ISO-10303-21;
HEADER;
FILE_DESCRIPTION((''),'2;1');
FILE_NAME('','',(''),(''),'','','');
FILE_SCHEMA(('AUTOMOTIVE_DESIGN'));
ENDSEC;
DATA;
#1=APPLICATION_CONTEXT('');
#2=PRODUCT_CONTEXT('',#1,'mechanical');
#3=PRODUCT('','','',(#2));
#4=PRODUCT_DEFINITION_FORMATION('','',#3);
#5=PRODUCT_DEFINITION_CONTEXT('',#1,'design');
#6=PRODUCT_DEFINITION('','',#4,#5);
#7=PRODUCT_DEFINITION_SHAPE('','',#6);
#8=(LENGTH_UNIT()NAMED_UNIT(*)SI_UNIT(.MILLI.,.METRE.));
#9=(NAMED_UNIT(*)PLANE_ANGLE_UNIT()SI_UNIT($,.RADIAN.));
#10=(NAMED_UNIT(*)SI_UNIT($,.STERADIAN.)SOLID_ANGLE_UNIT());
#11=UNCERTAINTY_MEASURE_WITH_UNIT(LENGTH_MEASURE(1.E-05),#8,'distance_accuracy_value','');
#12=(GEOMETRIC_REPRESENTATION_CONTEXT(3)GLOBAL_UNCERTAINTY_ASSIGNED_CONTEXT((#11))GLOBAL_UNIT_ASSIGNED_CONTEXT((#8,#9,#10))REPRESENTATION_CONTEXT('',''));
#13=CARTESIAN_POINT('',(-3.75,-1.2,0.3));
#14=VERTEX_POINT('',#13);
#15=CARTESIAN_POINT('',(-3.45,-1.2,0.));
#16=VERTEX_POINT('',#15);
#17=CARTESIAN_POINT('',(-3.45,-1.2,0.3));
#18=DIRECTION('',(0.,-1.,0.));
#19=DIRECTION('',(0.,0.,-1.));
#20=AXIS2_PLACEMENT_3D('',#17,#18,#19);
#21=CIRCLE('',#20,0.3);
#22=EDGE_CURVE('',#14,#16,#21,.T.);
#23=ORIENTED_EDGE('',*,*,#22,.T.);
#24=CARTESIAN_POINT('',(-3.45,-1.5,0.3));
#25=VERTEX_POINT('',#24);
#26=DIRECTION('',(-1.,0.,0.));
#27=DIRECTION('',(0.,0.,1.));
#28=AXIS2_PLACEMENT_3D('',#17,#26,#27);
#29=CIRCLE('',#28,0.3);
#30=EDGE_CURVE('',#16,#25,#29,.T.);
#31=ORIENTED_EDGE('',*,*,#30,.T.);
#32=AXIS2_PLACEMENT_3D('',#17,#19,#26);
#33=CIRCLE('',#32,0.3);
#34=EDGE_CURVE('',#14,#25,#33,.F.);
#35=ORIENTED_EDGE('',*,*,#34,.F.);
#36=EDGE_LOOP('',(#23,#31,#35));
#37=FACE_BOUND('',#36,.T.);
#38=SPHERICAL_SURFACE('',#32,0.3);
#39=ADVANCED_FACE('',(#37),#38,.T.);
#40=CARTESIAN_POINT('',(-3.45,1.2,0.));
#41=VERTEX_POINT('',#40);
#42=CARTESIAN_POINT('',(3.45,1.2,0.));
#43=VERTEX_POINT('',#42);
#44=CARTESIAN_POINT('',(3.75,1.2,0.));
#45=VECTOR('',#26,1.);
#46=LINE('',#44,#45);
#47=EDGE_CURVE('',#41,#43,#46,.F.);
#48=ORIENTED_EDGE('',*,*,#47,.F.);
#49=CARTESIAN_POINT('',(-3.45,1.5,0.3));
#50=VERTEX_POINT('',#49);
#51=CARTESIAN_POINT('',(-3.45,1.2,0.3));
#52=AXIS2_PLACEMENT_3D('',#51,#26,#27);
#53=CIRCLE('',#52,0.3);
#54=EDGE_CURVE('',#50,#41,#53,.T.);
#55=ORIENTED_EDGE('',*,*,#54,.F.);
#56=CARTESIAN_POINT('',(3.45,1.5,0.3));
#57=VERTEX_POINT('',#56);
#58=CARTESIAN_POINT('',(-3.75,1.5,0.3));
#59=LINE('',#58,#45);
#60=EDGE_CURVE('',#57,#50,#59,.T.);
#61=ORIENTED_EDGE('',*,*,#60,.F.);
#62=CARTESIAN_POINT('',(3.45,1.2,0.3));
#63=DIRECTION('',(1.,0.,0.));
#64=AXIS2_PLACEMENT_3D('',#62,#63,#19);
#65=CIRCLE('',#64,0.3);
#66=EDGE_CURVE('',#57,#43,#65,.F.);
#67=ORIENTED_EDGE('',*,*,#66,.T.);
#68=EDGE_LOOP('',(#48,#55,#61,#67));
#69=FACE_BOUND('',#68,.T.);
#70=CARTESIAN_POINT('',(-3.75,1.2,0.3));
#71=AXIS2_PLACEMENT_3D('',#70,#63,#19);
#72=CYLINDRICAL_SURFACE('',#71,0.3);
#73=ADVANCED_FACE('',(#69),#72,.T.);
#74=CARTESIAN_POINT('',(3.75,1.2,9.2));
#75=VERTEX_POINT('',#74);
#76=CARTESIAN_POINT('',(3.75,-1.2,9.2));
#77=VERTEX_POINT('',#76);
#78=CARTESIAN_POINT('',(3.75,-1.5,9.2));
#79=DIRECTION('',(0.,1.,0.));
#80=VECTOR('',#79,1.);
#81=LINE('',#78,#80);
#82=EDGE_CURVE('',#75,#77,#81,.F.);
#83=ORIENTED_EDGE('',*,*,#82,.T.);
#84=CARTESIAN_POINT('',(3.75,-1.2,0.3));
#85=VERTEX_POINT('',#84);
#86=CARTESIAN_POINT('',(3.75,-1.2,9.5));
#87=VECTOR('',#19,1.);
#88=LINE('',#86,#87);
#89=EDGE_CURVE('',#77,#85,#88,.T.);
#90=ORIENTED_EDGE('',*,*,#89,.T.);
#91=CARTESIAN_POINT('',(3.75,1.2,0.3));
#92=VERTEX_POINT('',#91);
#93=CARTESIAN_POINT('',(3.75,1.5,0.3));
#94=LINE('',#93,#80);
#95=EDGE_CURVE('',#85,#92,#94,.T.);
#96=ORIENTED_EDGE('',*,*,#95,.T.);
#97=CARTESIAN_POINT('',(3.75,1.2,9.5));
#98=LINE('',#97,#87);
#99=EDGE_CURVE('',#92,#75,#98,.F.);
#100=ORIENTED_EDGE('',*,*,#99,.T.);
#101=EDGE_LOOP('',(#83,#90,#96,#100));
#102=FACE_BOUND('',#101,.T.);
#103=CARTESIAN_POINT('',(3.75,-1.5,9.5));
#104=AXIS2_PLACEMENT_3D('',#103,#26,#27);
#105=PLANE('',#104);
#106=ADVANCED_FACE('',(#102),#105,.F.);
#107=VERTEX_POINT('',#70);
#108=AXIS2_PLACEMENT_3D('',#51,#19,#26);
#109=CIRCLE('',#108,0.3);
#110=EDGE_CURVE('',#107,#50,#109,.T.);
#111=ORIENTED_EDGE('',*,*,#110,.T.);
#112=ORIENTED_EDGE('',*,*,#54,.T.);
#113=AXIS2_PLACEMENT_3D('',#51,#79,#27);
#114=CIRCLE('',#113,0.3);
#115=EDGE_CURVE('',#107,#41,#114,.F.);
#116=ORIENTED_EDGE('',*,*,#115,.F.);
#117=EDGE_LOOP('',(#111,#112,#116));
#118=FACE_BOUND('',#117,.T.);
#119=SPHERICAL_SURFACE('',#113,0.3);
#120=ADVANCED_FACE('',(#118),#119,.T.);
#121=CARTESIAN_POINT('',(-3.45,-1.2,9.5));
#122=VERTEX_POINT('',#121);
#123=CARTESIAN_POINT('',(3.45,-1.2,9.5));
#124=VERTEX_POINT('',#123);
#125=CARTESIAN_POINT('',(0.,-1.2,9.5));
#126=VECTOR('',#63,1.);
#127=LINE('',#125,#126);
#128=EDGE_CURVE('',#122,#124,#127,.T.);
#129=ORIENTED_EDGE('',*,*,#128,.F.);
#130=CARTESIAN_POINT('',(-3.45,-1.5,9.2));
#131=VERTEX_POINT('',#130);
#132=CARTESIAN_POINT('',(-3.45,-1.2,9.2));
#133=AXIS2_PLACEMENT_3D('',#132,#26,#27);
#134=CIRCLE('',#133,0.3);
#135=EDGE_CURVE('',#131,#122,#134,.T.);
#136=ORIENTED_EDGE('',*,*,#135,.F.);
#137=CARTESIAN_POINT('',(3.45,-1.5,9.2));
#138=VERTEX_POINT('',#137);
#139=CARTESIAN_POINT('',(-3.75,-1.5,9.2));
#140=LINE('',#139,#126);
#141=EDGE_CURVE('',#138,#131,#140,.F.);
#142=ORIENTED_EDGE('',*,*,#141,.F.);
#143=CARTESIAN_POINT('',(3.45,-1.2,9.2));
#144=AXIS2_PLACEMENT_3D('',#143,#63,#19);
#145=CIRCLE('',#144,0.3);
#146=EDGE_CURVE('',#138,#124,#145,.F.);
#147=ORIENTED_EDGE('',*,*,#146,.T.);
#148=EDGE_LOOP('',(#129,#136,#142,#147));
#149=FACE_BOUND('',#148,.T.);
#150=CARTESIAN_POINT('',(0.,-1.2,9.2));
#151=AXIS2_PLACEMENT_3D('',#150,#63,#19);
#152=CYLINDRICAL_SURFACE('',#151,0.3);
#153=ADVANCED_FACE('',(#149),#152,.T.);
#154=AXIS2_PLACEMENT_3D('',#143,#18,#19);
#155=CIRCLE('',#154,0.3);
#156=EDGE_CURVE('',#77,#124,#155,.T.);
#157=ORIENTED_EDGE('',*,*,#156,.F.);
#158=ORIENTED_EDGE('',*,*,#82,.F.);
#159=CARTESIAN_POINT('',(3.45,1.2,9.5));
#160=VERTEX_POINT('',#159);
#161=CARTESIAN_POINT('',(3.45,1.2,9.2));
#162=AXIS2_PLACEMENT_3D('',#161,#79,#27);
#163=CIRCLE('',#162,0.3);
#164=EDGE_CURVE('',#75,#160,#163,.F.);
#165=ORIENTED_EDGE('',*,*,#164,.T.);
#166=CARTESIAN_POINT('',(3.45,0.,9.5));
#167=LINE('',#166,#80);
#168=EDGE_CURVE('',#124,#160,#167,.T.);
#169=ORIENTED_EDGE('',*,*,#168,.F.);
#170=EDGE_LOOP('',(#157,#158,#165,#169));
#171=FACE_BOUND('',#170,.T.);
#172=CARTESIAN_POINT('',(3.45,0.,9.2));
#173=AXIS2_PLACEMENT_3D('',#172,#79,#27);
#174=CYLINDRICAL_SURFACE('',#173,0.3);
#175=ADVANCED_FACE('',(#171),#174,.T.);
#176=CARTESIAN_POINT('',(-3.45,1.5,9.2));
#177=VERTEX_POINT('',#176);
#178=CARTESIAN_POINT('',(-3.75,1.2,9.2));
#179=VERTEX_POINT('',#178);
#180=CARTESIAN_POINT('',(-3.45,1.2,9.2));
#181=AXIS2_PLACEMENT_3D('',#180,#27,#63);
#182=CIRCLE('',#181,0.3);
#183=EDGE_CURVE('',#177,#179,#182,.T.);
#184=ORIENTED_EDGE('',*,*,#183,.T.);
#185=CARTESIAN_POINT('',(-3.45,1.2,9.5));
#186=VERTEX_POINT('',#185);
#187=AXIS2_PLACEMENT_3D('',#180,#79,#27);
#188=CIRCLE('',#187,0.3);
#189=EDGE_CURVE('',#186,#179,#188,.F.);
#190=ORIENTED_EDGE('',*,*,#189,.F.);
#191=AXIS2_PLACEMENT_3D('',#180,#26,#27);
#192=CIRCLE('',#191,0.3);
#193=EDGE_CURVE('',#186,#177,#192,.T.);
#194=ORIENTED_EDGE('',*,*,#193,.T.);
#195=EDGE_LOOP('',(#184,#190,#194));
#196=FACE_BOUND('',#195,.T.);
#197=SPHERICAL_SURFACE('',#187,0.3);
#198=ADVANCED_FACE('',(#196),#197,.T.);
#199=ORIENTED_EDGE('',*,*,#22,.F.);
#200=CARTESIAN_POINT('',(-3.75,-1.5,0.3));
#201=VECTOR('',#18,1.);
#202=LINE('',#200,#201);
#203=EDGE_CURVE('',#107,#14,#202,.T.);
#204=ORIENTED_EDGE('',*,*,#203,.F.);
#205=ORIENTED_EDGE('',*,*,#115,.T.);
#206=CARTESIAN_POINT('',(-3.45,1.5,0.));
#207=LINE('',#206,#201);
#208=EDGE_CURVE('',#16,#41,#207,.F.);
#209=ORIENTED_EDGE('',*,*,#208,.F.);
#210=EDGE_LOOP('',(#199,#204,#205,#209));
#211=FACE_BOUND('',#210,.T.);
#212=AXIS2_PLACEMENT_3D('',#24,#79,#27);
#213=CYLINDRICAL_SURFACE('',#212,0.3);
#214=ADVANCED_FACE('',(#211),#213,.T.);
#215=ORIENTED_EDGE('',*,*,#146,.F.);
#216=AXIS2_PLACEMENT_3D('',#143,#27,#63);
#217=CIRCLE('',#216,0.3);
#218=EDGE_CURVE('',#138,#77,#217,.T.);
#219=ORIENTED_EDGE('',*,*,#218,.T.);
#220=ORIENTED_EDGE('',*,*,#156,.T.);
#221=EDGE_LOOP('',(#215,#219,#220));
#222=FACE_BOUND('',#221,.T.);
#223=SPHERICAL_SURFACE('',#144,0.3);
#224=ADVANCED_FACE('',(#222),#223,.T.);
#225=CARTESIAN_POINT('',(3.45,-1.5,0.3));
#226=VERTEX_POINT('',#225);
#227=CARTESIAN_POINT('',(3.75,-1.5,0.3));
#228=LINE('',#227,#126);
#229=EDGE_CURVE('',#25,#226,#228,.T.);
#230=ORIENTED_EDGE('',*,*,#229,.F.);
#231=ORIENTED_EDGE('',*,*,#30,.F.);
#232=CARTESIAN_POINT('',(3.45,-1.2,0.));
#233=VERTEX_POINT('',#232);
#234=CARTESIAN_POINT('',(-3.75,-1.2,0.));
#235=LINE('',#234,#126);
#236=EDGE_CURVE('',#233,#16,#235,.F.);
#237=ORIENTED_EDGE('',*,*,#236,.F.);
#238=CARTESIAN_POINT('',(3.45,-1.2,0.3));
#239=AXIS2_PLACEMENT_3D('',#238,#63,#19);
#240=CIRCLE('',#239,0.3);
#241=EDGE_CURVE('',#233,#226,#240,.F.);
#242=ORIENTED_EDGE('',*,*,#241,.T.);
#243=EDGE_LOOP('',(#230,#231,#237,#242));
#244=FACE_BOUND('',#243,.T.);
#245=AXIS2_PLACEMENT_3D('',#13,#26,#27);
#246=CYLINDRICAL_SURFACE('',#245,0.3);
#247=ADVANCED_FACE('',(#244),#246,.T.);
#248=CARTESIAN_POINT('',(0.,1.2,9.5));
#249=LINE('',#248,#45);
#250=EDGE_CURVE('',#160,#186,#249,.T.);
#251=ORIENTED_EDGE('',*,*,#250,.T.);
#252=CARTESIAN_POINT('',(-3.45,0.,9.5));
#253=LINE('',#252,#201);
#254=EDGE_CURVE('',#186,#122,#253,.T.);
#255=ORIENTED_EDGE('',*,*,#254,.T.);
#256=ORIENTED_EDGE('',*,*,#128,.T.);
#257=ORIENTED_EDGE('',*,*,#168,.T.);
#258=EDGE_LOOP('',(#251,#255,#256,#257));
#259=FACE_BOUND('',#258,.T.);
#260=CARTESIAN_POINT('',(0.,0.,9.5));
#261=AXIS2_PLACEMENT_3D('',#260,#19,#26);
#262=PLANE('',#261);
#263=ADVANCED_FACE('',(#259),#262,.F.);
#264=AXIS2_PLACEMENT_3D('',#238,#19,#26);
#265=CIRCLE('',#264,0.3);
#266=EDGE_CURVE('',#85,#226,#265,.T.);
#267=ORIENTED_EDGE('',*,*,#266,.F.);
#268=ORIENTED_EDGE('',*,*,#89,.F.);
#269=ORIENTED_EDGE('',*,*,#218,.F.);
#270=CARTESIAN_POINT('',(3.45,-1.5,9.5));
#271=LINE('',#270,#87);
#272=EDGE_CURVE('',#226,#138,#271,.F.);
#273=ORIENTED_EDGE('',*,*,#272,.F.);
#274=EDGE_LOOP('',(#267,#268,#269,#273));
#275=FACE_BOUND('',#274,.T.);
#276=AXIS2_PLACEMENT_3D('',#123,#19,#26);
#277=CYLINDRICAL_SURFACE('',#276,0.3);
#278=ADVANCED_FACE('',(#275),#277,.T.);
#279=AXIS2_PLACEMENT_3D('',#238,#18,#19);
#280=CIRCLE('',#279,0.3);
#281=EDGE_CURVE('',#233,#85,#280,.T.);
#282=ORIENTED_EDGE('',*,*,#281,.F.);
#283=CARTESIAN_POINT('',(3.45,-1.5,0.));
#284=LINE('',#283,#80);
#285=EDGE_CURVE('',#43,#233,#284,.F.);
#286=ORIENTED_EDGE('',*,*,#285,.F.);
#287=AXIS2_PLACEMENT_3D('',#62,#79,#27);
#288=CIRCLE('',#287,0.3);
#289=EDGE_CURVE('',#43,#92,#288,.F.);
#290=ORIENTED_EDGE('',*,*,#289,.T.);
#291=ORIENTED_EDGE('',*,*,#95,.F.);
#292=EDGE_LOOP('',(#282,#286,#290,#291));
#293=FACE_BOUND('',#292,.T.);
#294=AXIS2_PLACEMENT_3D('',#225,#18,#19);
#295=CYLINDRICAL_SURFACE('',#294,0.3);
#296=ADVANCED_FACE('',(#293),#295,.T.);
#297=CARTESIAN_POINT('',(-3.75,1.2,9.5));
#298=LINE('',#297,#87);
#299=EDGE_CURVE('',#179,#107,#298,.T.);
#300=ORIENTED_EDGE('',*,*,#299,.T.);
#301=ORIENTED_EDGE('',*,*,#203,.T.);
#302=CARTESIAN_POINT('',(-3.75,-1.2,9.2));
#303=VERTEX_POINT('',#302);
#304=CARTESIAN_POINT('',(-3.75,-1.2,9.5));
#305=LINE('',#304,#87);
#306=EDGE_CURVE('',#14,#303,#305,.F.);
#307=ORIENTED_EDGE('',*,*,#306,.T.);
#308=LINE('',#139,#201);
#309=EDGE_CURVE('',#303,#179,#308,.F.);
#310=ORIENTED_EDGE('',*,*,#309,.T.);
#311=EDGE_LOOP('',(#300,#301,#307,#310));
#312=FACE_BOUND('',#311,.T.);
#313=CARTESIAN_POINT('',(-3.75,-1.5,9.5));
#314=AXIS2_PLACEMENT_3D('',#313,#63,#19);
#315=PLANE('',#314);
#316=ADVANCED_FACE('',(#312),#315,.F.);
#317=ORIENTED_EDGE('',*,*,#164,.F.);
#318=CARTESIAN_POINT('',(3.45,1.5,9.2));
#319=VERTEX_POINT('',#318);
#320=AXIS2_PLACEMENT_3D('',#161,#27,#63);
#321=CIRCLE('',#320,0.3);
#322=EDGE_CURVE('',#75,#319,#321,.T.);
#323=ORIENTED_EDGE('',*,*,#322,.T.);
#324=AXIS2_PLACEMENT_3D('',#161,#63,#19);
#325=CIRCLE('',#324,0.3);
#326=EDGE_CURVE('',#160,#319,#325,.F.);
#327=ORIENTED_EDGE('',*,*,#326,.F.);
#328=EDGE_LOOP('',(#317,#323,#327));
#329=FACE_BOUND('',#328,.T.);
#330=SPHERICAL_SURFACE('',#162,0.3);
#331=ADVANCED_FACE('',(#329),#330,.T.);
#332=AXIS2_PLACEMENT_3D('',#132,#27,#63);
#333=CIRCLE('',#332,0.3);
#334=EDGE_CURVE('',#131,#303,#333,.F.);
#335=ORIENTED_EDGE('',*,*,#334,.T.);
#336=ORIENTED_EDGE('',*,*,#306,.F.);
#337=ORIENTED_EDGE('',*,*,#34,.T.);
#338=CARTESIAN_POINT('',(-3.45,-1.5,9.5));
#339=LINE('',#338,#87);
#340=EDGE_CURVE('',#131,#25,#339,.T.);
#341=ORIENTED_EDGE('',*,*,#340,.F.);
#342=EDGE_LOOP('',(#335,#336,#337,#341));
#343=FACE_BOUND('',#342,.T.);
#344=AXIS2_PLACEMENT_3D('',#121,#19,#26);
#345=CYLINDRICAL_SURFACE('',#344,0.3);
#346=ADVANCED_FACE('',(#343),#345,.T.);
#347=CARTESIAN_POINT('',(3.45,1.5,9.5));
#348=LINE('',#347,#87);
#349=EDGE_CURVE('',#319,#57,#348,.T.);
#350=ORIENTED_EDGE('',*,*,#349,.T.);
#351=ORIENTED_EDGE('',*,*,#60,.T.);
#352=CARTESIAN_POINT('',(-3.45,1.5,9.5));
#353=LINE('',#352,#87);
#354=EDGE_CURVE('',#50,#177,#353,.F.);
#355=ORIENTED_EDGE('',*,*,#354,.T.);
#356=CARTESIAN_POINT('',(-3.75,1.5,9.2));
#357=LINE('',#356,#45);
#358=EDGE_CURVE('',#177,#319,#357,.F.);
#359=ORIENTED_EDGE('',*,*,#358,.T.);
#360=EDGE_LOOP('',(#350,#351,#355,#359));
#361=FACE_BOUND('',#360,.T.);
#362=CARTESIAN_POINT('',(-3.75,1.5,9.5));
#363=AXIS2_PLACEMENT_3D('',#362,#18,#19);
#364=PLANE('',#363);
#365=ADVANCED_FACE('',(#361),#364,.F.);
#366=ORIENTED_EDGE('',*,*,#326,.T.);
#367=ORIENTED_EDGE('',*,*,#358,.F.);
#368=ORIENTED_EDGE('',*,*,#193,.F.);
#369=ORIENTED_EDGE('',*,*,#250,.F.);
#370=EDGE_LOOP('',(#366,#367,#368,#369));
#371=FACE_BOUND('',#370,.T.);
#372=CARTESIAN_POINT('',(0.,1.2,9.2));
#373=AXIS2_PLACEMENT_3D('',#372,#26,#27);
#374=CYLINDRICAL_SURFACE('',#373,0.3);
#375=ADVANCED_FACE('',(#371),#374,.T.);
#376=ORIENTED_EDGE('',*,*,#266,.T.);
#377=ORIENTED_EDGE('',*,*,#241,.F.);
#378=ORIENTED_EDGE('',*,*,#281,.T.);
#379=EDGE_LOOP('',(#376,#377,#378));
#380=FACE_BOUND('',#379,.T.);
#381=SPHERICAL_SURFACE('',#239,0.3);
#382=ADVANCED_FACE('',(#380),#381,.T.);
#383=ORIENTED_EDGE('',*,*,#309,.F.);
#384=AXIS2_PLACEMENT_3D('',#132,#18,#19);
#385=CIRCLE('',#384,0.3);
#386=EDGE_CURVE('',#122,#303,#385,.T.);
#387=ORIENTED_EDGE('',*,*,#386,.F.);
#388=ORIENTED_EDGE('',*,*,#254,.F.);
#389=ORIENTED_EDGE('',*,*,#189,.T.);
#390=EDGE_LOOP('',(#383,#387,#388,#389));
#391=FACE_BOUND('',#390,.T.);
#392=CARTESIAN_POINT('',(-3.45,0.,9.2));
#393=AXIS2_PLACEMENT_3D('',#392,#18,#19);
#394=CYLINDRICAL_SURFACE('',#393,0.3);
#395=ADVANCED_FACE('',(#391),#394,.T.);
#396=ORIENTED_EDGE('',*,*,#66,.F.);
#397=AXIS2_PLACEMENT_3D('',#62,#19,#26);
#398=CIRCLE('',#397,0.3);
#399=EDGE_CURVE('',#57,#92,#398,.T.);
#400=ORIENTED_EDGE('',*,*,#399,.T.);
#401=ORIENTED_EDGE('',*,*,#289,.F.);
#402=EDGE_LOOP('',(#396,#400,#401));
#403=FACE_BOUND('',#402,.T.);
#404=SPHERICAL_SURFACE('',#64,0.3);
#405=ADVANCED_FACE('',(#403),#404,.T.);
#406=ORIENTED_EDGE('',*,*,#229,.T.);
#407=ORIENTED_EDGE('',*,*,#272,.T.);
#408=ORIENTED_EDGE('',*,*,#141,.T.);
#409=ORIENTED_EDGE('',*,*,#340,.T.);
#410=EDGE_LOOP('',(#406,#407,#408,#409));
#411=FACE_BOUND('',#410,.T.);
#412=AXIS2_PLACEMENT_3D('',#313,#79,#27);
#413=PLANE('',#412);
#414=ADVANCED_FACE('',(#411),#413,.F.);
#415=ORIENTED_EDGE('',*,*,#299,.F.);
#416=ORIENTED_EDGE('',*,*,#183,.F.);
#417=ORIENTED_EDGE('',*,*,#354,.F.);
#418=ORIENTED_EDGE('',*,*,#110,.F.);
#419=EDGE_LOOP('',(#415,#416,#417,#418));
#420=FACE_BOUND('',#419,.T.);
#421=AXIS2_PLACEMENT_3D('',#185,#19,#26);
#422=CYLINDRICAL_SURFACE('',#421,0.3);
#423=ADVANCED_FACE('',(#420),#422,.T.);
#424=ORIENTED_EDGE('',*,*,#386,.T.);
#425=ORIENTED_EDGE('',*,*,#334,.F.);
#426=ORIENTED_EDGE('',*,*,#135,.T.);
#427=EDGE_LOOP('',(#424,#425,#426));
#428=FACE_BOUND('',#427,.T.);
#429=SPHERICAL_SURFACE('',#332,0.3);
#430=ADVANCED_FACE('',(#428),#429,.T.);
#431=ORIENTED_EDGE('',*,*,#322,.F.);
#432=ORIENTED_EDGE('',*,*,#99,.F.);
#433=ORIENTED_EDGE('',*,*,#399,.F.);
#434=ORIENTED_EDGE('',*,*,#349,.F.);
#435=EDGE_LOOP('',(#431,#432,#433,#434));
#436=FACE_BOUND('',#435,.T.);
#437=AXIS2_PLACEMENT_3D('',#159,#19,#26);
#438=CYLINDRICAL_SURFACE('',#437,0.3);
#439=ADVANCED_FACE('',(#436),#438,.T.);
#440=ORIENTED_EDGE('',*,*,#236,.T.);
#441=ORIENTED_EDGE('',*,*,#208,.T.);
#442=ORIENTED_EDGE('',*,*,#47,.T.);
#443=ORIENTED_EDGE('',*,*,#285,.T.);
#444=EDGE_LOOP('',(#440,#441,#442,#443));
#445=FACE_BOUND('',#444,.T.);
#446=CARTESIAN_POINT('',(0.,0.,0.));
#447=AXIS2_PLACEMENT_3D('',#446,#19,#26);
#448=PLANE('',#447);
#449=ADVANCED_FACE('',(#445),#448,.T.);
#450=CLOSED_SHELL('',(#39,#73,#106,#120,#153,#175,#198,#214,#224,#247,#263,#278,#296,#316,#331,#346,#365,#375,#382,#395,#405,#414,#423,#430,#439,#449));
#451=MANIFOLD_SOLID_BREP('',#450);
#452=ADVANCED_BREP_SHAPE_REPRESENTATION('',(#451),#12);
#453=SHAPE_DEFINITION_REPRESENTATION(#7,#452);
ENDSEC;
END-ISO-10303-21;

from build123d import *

# Parameters (mm, degrees)
SKETCH1_W           = 7.5
SKETCH1_H           = 3
BOSS_EXTRUDE1_DEPTH = 9.5
FILLET1_R           = 0.3


with BuildPart() as part:
    # Sketch1 → Boss-Extrude1 (new body)
    with BuildSketch(Plane.XY):
        Rectangle(SKETCH1_W, SKETCH1_H)
    extrude(amount=BOSS_EXTRUDE1_DEPTH)

    # Fillet1
    fillet1_edges = [part.edges().sort_by_distance(p)[0] for p in [
        (-3.75, 0, 9.5),
        (0, -1.5, 9.5),
        (3.75, 0, 9.5),
        (0, -1.5, 0),
        (-3.75, 0, 0),
        (0, 1.5, 0),
        (3.75, 0, 0),
        (3.75, -1.5, 4.75),
        (-3.75, -1.5, 4.75),
        (-3.75, 1.5, 4.75),
        (3.75, 1.5, 4.75),
        (0, 1.5, 9.5),
    ]]
    fillet(fillet1_edges, radius=FILLET1_R)


solid = part.part
